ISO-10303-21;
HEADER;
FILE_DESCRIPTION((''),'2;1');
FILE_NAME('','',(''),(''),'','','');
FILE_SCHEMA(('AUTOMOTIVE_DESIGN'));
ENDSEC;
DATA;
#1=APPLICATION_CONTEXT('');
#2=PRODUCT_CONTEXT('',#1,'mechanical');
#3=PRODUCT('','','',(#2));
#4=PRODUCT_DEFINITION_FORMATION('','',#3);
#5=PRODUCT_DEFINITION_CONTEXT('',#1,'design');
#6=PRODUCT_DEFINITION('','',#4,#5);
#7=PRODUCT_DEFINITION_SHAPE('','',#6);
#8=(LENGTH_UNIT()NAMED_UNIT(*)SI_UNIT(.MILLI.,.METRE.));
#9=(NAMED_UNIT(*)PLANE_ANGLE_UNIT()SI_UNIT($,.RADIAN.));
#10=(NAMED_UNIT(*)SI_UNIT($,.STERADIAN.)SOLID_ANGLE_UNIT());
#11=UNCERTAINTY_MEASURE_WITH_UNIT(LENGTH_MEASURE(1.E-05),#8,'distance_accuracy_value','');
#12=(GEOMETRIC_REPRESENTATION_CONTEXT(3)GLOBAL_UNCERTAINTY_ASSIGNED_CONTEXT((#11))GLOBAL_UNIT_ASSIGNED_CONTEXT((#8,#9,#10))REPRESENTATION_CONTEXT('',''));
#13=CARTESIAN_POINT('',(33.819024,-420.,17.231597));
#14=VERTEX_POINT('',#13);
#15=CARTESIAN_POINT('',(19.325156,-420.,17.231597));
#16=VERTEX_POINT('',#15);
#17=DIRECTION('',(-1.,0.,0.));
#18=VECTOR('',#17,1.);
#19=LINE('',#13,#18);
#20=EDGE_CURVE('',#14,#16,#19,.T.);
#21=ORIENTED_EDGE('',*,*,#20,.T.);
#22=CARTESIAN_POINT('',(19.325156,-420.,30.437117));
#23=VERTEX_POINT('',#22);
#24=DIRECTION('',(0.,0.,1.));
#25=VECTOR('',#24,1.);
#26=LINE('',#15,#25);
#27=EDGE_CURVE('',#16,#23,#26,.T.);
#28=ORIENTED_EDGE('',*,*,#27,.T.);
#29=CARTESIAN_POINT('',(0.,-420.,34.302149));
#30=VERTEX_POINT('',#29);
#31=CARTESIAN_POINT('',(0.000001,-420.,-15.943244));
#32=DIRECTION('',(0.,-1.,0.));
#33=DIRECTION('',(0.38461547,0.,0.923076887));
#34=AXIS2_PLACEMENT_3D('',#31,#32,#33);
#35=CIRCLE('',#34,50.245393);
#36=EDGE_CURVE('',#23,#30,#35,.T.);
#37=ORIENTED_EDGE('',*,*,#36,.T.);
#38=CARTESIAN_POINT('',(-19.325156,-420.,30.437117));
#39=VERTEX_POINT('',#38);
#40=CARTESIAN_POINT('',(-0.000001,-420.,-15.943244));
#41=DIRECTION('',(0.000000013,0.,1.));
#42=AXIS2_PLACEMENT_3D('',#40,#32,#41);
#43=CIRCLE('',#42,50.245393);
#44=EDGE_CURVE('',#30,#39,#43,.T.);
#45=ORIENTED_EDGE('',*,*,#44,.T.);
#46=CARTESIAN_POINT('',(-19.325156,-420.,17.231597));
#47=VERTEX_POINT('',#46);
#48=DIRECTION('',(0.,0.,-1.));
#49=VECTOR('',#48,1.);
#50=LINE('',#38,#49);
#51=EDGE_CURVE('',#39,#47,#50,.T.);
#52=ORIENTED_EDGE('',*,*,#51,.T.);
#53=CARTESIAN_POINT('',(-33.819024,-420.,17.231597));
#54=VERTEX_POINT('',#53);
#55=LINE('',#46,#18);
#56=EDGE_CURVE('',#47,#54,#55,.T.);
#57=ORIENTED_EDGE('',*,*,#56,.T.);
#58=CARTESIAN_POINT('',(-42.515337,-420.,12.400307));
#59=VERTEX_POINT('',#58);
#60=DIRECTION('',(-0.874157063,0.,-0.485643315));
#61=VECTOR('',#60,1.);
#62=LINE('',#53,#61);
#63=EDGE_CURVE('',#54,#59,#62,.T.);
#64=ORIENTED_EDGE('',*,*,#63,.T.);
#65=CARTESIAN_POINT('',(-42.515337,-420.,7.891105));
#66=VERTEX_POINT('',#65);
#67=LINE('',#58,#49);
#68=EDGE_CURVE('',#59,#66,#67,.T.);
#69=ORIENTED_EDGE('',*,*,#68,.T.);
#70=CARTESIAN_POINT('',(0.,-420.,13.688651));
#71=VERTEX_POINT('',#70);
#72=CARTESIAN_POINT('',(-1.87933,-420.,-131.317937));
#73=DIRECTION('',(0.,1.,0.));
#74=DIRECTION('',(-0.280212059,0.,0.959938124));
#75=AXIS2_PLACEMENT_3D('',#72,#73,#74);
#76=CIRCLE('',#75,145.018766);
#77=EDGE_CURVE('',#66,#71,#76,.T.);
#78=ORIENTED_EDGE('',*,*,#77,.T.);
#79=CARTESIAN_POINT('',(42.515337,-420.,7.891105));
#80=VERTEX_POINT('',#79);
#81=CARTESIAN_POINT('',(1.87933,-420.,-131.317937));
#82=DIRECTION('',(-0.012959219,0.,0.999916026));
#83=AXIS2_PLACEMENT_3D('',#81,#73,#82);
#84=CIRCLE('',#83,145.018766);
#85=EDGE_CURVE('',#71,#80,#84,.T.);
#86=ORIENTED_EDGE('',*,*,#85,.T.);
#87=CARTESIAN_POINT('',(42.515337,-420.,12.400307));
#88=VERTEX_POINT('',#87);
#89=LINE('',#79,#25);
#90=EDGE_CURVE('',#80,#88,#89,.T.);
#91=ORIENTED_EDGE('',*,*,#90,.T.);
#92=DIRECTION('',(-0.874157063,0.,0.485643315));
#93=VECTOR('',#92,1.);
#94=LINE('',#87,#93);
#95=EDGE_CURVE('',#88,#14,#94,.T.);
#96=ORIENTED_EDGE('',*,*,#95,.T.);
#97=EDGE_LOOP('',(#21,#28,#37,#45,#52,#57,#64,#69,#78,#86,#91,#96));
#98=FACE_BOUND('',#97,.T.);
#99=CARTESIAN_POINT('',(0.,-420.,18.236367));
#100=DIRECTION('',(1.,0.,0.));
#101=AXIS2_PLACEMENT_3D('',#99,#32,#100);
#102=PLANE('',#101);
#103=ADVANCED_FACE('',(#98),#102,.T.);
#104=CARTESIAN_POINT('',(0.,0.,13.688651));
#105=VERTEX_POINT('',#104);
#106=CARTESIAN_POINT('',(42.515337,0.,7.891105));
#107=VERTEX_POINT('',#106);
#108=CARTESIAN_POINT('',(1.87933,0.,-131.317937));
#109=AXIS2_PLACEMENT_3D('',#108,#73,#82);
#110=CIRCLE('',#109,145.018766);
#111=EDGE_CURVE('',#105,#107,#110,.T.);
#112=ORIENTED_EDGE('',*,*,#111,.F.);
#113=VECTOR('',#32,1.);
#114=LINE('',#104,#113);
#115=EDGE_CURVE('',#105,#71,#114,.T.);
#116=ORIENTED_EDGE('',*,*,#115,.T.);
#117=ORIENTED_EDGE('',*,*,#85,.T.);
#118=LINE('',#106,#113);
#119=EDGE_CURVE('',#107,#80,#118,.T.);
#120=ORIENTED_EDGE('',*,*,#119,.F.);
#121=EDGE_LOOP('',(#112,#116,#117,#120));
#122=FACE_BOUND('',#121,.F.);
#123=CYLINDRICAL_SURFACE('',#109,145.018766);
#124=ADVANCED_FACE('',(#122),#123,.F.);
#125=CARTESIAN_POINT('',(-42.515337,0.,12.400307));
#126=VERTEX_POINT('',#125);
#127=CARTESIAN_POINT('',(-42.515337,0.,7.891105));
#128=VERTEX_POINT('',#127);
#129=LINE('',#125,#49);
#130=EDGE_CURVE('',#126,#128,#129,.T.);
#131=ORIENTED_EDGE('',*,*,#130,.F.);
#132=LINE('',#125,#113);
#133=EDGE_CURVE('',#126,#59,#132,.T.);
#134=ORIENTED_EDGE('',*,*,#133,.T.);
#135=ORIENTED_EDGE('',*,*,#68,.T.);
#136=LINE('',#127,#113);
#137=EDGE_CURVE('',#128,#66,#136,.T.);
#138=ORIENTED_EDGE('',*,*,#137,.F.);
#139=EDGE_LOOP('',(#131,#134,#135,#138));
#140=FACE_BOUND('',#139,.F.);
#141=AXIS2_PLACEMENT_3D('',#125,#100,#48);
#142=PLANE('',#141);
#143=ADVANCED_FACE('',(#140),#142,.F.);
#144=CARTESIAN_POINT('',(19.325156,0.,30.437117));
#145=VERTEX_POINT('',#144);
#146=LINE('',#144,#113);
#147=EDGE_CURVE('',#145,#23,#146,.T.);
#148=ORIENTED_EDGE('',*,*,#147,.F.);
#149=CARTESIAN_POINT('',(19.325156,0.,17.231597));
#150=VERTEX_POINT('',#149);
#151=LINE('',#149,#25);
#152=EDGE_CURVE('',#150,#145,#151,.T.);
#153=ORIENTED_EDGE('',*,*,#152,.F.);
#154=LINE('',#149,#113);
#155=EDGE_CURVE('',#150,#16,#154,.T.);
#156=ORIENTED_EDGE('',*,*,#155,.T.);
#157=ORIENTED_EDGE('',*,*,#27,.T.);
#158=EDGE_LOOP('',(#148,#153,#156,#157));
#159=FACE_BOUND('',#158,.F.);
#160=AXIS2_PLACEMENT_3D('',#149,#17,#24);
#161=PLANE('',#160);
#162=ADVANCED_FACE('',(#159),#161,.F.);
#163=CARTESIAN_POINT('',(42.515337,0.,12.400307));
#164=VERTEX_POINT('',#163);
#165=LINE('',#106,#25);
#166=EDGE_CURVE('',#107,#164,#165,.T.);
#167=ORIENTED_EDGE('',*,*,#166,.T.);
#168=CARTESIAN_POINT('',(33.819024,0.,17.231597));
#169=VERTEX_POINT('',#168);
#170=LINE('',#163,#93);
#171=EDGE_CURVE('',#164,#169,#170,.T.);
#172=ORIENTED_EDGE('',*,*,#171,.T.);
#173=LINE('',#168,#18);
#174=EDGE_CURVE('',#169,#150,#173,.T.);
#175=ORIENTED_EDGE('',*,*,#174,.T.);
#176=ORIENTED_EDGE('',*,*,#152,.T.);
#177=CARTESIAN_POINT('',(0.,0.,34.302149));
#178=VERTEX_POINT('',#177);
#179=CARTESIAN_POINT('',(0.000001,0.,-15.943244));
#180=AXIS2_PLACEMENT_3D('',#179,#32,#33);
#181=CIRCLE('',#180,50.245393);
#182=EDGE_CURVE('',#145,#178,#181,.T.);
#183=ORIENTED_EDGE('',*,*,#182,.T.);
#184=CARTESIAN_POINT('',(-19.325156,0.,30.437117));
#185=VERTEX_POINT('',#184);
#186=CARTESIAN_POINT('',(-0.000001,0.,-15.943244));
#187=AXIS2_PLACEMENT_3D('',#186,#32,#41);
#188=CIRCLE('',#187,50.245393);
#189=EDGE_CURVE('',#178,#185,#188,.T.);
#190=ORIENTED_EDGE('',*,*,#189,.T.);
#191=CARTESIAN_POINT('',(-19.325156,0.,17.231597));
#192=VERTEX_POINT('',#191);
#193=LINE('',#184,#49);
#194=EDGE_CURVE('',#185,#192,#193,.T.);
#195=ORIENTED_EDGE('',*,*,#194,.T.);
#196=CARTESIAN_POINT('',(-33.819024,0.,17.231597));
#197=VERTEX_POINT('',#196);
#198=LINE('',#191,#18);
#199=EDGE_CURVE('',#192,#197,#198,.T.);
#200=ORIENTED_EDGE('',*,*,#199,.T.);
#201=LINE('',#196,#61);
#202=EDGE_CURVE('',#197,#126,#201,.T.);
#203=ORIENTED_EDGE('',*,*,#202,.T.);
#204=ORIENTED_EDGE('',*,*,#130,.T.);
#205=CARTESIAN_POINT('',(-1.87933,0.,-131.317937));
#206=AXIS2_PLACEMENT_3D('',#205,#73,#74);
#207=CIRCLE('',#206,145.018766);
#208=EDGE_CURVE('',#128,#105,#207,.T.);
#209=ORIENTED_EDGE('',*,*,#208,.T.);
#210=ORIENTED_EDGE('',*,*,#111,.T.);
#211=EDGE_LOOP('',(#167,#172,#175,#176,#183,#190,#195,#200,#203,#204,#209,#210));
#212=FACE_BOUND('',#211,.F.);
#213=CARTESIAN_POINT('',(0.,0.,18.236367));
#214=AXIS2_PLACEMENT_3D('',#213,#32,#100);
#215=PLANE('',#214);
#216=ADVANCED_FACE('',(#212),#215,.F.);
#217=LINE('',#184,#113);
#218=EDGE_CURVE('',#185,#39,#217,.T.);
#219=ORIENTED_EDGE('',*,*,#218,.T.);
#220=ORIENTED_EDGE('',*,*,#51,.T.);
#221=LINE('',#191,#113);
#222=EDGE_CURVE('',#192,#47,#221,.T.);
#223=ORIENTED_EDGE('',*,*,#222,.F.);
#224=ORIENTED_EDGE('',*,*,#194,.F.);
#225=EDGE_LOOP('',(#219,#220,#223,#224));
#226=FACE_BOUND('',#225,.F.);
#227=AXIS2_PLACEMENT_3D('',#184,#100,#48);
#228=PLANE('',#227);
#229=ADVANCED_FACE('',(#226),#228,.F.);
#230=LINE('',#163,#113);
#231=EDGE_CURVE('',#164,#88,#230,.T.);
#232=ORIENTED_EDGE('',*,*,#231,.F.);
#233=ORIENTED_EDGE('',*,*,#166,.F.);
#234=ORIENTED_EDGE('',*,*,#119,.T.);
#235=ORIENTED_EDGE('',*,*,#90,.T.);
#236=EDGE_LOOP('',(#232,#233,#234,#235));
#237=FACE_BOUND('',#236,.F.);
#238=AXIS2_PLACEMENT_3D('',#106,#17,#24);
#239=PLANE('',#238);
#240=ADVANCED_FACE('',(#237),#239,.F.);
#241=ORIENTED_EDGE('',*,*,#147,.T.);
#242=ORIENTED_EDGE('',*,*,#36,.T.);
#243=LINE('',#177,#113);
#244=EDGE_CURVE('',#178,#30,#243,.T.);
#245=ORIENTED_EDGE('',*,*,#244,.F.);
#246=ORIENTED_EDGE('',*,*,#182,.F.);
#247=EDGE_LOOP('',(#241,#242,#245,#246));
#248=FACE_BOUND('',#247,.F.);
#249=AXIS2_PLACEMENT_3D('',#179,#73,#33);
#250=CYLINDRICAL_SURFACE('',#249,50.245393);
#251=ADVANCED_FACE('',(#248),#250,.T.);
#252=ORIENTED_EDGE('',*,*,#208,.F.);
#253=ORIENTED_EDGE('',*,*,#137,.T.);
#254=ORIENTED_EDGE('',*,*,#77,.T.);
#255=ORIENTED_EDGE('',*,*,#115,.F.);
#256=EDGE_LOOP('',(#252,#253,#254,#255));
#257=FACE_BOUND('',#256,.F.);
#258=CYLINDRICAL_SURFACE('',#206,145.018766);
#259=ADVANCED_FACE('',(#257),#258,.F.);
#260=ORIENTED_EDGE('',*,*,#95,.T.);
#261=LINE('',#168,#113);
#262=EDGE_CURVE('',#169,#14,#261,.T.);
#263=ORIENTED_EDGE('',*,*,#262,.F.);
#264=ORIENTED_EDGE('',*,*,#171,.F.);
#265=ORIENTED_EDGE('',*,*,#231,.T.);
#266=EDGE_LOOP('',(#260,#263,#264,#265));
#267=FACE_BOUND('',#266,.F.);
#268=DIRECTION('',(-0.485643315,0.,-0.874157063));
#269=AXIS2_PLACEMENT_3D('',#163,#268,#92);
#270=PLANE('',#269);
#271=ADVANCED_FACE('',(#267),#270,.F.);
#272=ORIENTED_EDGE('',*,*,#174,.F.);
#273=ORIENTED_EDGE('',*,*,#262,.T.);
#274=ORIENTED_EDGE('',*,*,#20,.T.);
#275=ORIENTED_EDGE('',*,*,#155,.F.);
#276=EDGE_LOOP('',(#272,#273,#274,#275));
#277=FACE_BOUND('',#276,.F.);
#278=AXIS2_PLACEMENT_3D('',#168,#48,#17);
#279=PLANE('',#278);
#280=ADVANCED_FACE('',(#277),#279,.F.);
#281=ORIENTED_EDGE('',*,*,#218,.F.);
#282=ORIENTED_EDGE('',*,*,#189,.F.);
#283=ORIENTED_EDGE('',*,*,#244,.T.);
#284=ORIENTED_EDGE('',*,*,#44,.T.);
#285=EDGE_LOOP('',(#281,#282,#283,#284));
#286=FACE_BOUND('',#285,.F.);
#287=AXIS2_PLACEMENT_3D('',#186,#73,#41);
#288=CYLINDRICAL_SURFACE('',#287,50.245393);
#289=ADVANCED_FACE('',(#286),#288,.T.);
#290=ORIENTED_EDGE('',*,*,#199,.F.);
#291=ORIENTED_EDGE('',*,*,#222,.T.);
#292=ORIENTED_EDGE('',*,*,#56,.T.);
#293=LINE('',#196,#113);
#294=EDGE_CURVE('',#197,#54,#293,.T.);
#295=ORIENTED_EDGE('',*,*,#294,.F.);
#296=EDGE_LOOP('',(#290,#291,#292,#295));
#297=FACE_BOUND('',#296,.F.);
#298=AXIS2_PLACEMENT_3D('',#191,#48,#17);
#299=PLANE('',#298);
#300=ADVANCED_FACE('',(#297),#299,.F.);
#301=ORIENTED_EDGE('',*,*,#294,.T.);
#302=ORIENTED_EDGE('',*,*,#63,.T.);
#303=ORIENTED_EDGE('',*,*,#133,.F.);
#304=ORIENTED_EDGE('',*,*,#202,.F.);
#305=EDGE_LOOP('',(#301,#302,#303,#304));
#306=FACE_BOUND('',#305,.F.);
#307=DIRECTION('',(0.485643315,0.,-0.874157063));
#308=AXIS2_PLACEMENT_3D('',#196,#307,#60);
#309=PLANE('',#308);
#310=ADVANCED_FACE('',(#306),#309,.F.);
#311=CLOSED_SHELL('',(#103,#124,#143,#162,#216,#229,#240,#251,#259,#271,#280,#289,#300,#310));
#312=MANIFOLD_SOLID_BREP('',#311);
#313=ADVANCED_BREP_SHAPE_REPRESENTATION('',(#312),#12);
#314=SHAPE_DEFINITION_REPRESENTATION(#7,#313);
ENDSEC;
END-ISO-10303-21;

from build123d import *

# Parameters (mm, degrees)
F1_DEPTH = 420


with BuildPart() as f1:
    # F0 (on Front) → F1 (new body)
    with BuildSketch(Plane.XZ):
        with BuildLine():
            Line((19.325156, 17.231597), (19.325156, 30.437117))
            ThreePointArc((19.325156, 30.437117), (9.853935, 33.326417), (0, 34.302149))
            ThreePointArc((0, 34.302149), (-9.853935, 33.326417), (-19.325156, 30.437117))
            Line((-19.325156, 30.437117), (-19.325156, 17.231597))
            Line((-19.325156, 17.231597), (-33.819024, 17.231597))
            Line((-33.819024, 17.231597), (-42.515337, 12.400307))
            Line((-42.515337, 12.400307), (-42.515337, 7.891105))
            ThreePointArc((-42.515337, 7.891105), (-21.473281, 12.371031), (0, 13.688651))
            ThreePointArc((0, 13.688651), (21.473281, 12.371031), (42.515337, 7.891105))
            Line((42.515337, 7.891105), (42.515337, 12.400307))
            Line((42.515337, 12.400307), (33.819024, 17.231597))
            Line((33.819024, 17.231597), (19.325156, 17.231597))
        make_face()
    extrude(amount=F1_DEPTH)


solid = f1.part
